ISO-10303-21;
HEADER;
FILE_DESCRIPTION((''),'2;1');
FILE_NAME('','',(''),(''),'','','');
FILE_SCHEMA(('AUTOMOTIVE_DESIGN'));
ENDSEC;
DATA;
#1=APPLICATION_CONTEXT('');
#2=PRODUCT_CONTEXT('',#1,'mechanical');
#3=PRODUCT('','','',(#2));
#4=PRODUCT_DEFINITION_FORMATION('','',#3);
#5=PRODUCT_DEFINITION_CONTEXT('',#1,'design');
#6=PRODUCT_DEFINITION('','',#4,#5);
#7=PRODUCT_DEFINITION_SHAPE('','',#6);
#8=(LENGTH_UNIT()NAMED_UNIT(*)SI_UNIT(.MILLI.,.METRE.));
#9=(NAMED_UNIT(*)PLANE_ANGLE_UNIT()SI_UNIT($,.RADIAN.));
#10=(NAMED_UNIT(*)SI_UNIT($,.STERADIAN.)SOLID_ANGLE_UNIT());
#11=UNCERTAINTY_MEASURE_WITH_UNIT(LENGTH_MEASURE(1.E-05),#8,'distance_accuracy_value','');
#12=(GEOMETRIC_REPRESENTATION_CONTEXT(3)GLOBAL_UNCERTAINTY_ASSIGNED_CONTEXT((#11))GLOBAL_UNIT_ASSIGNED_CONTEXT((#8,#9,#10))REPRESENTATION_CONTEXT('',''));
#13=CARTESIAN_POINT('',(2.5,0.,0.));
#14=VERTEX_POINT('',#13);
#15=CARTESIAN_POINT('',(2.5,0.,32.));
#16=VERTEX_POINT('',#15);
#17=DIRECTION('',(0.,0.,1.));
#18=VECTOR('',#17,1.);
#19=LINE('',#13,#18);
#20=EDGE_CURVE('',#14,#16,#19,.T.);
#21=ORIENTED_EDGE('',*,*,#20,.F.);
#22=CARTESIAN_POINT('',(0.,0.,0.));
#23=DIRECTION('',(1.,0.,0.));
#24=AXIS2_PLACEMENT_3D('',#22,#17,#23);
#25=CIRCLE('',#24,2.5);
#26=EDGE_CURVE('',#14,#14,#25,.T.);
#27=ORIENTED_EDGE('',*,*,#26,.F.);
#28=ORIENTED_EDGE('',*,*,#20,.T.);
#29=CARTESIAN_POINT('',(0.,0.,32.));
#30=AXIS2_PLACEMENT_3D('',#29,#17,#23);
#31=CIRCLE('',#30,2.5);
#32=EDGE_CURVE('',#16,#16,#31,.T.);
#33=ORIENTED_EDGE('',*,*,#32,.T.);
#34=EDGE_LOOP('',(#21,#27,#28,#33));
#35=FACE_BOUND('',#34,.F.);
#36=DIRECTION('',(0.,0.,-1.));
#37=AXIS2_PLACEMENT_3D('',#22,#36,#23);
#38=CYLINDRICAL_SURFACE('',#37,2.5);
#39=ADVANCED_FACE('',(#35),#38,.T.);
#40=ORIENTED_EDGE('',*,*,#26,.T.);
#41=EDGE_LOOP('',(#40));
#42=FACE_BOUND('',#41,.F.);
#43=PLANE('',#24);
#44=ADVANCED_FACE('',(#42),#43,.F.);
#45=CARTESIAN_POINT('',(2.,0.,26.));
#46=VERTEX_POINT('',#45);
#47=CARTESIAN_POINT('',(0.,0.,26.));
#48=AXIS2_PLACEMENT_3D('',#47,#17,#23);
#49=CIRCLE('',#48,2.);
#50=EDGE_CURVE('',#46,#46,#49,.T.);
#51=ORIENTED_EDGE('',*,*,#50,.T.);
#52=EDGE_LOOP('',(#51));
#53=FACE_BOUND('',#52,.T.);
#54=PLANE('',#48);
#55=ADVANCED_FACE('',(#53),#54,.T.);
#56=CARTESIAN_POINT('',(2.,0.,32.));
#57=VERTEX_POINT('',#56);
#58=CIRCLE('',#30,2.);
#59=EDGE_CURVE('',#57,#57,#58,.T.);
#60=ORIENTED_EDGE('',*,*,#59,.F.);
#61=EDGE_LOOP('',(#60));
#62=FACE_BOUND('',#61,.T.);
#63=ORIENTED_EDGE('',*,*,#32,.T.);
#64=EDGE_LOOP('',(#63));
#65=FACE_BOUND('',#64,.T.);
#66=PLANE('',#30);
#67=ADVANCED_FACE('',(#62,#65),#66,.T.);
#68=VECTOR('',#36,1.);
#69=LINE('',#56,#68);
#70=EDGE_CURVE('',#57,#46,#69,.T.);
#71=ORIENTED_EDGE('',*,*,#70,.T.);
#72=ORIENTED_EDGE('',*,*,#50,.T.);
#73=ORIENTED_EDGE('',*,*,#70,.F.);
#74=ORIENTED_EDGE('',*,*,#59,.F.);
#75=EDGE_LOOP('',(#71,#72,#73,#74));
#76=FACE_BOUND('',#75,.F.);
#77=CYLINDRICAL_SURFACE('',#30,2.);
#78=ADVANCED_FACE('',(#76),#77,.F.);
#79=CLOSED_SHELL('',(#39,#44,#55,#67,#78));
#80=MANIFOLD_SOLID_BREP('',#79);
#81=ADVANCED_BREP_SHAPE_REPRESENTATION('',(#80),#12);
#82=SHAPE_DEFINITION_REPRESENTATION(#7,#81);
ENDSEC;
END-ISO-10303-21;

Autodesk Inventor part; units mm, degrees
ref_plane "YZ Plane" through (0, 0, 0) normal (1, 0, 0) x (0, 1, 0)
ref_plane "XZ Plane" through (0, 0, 0) normal (0, 1, 0) x (-1, 0, 0)
ref_plane "XY Plane" through (0, 0, 0) normal (0, 0, 1) x (1, 0, 0)
sketch "スケッチ1" plane through (0, 0, 0) normal (0, 0, 1) x (1, 0, 0)
  circle A0 centre (0, 0) radius 2.5
  dimension "d0" = 5
extrude "押し出し1" add sketch "スケッチ1" along normal blind 32
sketch "スケッチ2" plane through (0, 0, 32) normal (0, 0, 1) x (1, 0, 0)
  circle A0 centre (0, 0) radius 2
  dimension "d3" = 4
extrude "押し出し2" cut sketch "スケッチ2" against normal blind 6
thread "ねじ1" size "M4x0.7" class "6H" standard "ANSI Metric M Profile" full length
properties part number "shaft_32mm_Φ5" material "アルミニウム 7075"
